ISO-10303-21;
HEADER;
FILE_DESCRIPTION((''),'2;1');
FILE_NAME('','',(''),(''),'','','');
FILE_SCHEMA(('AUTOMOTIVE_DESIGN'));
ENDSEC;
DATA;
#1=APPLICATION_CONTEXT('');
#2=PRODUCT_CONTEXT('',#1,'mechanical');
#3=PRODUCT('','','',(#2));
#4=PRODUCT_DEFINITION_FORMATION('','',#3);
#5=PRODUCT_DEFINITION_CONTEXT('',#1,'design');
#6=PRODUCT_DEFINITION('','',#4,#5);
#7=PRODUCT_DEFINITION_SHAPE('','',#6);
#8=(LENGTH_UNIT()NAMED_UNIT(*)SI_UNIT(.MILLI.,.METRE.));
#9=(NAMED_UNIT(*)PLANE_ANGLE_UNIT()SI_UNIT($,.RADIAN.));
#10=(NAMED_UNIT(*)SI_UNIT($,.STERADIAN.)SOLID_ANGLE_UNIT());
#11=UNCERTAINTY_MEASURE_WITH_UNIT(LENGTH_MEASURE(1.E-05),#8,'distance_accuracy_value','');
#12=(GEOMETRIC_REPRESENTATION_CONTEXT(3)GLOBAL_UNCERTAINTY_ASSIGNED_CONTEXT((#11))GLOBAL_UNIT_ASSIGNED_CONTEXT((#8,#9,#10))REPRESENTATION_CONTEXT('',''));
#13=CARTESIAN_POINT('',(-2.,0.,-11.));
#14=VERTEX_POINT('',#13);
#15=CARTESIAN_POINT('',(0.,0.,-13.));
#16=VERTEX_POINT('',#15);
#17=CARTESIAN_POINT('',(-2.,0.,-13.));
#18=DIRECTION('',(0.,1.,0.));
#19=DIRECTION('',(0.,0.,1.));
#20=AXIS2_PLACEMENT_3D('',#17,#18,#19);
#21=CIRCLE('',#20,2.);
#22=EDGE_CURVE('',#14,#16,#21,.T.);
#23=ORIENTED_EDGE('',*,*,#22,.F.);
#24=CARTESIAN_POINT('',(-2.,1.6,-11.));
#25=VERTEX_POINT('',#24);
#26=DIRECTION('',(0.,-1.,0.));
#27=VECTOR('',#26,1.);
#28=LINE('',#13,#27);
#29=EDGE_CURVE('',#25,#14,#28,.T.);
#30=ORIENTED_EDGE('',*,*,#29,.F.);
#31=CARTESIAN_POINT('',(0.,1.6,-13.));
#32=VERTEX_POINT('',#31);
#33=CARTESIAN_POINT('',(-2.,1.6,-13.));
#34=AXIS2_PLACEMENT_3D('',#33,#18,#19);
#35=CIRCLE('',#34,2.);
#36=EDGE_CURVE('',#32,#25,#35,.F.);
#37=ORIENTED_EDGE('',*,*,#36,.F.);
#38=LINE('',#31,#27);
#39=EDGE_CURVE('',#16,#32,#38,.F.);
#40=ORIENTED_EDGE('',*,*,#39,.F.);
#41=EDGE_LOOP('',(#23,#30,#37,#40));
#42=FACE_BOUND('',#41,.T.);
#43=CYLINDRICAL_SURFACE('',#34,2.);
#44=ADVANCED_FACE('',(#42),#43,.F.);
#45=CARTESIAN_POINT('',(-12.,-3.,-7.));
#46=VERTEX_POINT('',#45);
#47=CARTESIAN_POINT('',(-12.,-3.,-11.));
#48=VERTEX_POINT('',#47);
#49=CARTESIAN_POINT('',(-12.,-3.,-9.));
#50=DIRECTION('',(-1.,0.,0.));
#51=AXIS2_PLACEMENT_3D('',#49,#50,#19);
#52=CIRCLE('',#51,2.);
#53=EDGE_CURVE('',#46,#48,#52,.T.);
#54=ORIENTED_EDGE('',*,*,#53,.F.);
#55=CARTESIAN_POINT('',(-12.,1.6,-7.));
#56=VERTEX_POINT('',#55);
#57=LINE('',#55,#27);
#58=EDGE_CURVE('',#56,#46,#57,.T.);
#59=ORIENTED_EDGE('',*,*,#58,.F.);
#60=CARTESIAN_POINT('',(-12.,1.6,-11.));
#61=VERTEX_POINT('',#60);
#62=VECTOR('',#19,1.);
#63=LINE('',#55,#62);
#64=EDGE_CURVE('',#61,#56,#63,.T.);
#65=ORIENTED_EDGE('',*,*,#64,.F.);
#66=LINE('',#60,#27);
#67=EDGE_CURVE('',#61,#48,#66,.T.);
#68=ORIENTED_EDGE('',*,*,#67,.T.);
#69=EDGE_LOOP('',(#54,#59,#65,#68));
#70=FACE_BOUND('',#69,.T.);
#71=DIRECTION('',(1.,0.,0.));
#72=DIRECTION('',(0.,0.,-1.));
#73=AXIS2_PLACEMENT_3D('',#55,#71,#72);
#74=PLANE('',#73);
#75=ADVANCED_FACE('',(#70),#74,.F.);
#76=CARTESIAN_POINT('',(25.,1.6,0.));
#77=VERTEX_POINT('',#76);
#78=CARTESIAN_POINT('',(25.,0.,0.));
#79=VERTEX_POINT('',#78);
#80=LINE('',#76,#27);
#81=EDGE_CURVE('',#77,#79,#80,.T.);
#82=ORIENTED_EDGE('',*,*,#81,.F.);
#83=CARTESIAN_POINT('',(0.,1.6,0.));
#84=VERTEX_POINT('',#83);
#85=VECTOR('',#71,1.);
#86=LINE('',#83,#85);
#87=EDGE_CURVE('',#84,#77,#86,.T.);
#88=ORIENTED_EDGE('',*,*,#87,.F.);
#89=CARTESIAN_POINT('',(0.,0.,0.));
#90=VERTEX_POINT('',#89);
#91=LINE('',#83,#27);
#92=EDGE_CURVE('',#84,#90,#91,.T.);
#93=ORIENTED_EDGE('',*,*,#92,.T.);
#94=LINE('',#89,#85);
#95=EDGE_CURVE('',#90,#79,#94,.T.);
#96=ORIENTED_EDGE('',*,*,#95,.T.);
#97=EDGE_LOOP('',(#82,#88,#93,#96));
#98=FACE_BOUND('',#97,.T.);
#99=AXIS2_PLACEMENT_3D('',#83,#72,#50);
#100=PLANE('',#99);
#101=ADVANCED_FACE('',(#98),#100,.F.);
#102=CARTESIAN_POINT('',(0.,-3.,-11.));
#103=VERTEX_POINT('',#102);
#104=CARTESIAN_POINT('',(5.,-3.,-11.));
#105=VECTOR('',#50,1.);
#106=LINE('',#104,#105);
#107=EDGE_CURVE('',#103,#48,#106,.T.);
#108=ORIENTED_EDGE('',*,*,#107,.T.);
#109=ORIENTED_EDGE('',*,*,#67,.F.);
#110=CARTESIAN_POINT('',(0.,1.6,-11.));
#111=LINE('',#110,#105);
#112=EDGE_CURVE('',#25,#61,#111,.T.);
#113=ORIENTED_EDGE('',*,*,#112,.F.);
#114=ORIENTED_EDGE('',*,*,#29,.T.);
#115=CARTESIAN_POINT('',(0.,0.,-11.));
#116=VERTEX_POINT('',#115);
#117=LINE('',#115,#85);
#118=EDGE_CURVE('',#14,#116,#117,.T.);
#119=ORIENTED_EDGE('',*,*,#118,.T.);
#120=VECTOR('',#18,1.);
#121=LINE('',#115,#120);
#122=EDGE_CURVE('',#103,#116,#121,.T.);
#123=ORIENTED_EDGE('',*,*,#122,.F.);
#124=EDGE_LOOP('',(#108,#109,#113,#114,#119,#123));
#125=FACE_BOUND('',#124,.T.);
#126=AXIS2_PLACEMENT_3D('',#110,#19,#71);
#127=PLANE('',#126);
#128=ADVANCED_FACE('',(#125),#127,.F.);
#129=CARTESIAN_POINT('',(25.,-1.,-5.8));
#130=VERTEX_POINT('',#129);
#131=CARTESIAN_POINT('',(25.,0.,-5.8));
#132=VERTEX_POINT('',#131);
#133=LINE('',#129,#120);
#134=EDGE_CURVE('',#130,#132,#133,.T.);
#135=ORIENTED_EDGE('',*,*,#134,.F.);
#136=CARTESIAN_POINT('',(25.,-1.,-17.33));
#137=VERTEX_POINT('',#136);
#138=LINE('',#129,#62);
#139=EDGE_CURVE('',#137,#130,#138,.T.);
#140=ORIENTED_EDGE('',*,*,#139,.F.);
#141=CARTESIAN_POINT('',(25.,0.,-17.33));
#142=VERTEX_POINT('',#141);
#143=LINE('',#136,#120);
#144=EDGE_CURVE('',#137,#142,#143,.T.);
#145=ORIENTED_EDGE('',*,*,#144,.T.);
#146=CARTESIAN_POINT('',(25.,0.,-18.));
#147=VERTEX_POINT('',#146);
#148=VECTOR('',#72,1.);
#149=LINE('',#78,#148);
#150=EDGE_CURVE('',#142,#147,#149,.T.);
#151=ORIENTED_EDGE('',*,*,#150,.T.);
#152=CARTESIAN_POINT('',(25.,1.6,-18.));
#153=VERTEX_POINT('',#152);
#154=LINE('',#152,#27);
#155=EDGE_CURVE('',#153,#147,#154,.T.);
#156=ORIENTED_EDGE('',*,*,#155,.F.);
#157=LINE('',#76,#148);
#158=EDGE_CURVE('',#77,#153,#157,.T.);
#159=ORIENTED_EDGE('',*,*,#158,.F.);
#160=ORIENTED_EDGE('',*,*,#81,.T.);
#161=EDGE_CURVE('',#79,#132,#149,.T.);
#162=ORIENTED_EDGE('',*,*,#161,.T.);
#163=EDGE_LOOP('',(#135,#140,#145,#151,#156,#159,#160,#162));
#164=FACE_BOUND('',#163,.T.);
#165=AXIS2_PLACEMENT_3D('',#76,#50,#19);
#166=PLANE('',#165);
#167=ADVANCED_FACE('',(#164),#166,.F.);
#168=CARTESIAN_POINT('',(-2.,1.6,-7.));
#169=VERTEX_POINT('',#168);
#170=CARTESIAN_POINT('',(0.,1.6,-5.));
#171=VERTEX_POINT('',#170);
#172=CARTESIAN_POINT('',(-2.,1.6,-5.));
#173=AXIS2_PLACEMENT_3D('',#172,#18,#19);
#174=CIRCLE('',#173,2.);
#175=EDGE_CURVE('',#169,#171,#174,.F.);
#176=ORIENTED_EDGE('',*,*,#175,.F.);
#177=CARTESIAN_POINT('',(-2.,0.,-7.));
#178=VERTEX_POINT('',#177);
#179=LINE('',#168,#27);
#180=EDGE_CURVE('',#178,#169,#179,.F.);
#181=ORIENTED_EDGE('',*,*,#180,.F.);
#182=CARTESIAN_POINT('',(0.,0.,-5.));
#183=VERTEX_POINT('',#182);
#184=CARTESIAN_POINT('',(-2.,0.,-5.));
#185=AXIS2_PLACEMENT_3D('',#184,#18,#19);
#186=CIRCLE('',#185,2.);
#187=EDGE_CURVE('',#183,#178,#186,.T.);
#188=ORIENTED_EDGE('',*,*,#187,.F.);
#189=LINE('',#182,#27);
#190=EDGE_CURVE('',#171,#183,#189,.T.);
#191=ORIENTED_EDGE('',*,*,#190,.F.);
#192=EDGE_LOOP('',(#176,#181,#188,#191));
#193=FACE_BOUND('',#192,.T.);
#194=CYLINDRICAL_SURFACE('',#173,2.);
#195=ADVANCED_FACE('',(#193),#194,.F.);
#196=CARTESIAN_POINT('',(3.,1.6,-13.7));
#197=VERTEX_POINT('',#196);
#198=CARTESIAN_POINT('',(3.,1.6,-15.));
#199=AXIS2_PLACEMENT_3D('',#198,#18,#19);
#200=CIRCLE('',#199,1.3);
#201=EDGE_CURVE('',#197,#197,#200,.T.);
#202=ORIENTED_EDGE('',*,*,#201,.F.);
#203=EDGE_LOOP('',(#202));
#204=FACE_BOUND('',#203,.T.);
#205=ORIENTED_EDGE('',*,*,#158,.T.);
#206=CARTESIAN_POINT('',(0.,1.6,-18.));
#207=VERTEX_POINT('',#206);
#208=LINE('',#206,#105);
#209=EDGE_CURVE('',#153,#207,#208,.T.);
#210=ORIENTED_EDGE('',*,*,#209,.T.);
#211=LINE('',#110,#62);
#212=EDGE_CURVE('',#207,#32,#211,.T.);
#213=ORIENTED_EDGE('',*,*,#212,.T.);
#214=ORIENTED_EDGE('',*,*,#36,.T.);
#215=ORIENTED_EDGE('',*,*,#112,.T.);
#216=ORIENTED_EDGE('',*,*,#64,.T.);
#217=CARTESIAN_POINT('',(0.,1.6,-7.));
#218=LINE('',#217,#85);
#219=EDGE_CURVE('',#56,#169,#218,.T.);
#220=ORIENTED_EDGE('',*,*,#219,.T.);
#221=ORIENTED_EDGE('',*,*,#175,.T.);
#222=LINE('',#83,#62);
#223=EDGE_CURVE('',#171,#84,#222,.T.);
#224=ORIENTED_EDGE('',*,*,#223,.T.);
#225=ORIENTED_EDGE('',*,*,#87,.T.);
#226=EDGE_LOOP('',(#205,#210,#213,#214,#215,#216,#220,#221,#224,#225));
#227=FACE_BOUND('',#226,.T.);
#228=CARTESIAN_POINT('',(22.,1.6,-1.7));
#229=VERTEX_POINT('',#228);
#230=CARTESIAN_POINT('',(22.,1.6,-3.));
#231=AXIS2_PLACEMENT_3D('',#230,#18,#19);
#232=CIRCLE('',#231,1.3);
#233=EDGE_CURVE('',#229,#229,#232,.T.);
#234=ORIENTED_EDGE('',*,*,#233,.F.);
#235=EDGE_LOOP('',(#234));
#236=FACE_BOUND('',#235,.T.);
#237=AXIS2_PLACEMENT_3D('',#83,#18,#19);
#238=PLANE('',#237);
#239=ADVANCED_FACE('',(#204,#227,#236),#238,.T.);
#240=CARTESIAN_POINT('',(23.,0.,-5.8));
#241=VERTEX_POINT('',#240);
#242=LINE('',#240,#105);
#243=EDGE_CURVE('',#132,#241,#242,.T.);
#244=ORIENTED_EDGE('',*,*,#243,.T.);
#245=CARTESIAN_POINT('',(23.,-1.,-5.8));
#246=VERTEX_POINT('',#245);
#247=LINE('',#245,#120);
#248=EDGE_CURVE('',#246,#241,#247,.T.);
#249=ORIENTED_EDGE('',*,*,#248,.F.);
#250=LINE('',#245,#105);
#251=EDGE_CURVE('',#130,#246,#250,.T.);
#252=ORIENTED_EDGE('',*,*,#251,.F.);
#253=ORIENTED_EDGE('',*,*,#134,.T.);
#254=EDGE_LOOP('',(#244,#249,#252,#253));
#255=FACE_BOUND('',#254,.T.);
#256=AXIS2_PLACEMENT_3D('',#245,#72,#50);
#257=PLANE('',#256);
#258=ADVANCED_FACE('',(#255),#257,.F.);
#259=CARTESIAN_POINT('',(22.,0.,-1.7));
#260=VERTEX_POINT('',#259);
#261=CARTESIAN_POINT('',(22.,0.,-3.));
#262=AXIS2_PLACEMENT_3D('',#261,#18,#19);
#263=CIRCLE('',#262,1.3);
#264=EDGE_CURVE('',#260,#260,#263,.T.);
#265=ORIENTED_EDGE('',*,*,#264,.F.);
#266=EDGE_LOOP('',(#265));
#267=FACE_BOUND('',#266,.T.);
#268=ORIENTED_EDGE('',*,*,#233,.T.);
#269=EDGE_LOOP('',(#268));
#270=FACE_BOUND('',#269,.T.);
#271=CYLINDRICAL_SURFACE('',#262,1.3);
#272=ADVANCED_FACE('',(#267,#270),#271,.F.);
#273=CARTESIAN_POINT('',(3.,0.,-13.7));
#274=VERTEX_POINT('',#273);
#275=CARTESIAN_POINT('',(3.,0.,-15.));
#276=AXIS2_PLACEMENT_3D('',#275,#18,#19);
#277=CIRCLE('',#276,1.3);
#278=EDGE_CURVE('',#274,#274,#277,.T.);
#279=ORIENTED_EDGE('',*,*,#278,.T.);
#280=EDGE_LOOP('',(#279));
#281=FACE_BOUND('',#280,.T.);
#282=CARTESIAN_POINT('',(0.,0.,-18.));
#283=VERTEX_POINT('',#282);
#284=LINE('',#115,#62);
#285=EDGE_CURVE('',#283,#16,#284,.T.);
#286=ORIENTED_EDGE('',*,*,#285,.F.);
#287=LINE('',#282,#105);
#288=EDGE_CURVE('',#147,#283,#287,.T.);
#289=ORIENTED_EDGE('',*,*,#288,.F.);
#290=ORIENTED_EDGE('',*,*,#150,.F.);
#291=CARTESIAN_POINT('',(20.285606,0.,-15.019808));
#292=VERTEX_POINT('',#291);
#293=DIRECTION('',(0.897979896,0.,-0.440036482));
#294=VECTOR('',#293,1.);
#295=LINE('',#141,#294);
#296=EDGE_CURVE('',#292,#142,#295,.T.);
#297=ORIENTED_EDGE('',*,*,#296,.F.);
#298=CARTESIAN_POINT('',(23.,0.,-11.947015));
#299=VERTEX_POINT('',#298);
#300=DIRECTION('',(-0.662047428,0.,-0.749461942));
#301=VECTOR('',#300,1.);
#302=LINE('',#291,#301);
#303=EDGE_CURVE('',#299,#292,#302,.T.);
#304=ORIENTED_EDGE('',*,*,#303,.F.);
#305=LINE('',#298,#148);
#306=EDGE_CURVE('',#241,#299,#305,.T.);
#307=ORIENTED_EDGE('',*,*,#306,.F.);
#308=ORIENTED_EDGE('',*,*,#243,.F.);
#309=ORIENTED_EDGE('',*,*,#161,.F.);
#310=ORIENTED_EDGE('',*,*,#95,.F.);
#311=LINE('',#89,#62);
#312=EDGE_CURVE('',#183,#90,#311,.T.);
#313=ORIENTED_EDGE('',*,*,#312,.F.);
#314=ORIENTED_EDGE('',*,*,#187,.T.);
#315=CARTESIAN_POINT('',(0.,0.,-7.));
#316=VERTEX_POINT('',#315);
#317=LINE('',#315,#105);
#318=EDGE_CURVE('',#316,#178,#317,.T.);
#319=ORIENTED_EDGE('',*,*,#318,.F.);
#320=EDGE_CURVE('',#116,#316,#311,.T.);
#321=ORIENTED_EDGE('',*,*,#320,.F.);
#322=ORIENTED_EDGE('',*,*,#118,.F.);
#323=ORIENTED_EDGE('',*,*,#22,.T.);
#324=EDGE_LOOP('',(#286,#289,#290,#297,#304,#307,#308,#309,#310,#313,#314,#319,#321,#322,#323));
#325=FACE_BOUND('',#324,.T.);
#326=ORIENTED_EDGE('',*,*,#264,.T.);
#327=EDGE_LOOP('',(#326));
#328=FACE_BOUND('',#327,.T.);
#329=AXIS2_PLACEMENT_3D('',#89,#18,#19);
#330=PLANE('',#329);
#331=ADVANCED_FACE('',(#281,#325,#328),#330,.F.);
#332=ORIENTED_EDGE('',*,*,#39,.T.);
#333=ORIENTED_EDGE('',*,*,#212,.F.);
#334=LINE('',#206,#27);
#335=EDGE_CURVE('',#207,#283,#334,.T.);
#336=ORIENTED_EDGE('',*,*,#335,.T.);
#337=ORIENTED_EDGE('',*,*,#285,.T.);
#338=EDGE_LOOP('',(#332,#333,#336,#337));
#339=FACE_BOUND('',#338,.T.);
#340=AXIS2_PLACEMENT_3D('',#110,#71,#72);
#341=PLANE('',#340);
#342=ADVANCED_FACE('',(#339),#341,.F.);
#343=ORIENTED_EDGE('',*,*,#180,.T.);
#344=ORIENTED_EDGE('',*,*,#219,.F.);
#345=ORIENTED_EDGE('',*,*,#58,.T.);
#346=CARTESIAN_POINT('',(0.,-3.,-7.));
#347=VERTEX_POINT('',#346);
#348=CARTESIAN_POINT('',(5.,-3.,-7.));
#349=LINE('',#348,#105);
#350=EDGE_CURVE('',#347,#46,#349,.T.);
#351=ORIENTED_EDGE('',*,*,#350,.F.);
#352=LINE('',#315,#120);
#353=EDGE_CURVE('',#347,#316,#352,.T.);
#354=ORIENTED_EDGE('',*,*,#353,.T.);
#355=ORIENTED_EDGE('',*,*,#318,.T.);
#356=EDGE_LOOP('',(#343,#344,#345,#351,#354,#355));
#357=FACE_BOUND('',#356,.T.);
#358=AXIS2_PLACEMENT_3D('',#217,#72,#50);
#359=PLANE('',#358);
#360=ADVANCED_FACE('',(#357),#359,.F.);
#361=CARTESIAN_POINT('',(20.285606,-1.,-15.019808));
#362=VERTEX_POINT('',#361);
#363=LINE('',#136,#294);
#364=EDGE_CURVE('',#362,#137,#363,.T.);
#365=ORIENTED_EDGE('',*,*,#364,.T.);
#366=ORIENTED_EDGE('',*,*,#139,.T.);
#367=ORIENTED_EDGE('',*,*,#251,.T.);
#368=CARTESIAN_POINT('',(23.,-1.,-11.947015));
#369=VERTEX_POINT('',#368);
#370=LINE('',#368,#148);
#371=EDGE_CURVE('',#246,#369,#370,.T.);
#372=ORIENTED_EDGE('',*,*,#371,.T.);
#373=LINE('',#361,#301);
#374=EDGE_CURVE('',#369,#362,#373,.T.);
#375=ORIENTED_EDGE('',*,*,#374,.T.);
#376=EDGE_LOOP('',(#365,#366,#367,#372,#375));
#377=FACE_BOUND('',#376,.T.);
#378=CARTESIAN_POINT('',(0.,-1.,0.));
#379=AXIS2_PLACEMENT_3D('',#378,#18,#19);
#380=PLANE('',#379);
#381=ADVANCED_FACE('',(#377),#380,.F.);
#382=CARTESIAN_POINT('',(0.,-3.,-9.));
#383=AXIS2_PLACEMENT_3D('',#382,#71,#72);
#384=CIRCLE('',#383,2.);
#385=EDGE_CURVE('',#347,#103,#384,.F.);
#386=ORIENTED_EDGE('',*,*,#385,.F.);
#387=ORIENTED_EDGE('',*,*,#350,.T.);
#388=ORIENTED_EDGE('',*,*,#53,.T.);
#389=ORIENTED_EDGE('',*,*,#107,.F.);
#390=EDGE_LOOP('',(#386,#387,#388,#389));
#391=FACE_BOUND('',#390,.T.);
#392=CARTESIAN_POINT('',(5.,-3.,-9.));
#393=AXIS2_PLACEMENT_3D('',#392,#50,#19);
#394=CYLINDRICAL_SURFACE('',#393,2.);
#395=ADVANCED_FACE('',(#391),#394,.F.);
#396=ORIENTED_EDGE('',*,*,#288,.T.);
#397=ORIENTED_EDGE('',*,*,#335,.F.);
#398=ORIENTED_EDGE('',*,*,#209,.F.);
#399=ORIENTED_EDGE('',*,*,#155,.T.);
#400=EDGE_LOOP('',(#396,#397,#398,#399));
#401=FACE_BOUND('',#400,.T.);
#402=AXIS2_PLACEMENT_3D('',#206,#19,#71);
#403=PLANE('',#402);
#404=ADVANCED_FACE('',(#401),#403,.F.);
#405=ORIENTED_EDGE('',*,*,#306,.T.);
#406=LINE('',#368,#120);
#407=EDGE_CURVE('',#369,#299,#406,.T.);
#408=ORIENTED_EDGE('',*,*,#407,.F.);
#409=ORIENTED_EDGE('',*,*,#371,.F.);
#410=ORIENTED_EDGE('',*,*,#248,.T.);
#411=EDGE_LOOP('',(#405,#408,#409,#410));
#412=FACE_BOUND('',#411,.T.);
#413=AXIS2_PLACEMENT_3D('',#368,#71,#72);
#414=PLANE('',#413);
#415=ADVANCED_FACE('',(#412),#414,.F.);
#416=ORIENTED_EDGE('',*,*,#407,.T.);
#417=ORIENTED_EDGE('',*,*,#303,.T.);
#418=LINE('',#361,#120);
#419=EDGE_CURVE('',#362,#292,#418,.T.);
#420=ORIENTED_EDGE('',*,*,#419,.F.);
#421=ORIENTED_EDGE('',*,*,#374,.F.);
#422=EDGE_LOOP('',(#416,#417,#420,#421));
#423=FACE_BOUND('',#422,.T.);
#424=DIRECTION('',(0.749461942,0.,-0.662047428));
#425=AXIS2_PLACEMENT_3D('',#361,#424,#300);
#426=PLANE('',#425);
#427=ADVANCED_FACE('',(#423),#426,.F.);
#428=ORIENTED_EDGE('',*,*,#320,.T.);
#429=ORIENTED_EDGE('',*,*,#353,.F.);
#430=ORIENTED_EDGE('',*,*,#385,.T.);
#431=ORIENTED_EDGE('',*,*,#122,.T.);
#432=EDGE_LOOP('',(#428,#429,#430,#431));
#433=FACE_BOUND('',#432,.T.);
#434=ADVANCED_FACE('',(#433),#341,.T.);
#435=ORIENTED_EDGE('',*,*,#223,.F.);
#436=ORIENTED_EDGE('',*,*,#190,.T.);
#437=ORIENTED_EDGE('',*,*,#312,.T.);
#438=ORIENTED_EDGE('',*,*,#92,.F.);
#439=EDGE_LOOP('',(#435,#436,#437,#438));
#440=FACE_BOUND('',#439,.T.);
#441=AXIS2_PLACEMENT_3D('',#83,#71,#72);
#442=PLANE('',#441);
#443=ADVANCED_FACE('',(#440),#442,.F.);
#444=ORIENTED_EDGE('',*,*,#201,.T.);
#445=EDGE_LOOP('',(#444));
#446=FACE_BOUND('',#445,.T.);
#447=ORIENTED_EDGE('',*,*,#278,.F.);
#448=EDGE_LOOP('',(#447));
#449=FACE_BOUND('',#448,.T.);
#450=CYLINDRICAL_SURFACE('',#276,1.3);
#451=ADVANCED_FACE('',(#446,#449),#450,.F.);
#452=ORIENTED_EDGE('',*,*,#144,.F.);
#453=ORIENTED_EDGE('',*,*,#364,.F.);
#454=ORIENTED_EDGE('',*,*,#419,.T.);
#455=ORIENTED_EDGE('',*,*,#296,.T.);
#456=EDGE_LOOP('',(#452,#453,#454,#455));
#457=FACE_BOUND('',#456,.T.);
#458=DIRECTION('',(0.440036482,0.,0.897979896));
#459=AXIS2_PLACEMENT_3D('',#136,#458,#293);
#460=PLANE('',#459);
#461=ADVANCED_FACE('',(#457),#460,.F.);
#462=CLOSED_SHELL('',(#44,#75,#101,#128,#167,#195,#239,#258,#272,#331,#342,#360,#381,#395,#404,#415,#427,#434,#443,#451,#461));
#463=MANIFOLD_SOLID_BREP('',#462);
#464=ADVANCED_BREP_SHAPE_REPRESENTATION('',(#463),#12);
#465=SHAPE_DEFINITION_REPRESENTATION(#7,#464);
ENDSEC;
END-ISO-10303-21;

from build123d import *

# Parameters (mm, degrees)
BOSS_EXTRUDE1_DEPTH = 1.6
BOSS_EXTRUDE2_DEPTH = 12
SKETCH3_R           = 1.3
CUT_EXTRUDE1_DEPTH  = 1.6
FILLET1_R           = 2
BOSS_EXTRUDE3_DEPTH = 1


with BuildPart() as part:
    # Sketch1 → Boss-Extrude1 (new body)
    with BuildSketch(Plane(origin=(0, 0, 0), x_dir=(1, 0, 0), z_dir=(0, 1, 0))):
        Polygon((0, 11), (0, 18), (25, 18), (25, 0), (0, 0), (0, 7), (-12, 7), (-12, 11), align=None)
    extrude(amount=BOSS_EXTRUDE1_DEPTH)

    # Sketch2 → Boss-Extrude2 (add)
    with BuildSketch(Plane.ZY.offset(12)):
        with BuildLine():
            Line((-7, -3), (-7, 0))
            Line((-7, 0), (-11, 0))
            Line((-11, 0), (-11, -3))
            ThreePointArc((-11, -3), (-9, -1), (-7, -3))
        make_face()
    extrude(amount=-BOSS_EXTRUDE2_DEPTH)

    # Sketch3 → Cut-Extrude1 (cut)
    with BuildSketch(Plane(origin=(0, 1.6, 0), x_dir=(1, 0, 0), z_dir=(0, 1, 0))):
        with Locations((3, 15)):
            Circle(SKETCH3_R)
        with Locations((22, 3)):
            Circle(SKETCH3_R)
    extrude(amount=-CUT_EXTRUDE1_DEPTH, mode=Mode.SUBTRACT)

    # Fillet1
    fillet1_edges = [part.edges().sort_by_distance(p)[0] for p in [
        (0, 0.8, -7),
        (0, 0.8, -11),
    ]]
    fillet(fillet1_edges, radius=FILLET1_R)

    # Sketch4 → Boss-Extrude3 (add)
    with BuildSketch(Plane.XZ):
        Polygon((25, -5.8), (25, -17.33), (20.285605544, -15.019808468), (23, -11.947014506), (23, -5.8), align=None)
    extrude(amount=BOSS_EXTRUDE3_DEPTH)


solid = part.part
